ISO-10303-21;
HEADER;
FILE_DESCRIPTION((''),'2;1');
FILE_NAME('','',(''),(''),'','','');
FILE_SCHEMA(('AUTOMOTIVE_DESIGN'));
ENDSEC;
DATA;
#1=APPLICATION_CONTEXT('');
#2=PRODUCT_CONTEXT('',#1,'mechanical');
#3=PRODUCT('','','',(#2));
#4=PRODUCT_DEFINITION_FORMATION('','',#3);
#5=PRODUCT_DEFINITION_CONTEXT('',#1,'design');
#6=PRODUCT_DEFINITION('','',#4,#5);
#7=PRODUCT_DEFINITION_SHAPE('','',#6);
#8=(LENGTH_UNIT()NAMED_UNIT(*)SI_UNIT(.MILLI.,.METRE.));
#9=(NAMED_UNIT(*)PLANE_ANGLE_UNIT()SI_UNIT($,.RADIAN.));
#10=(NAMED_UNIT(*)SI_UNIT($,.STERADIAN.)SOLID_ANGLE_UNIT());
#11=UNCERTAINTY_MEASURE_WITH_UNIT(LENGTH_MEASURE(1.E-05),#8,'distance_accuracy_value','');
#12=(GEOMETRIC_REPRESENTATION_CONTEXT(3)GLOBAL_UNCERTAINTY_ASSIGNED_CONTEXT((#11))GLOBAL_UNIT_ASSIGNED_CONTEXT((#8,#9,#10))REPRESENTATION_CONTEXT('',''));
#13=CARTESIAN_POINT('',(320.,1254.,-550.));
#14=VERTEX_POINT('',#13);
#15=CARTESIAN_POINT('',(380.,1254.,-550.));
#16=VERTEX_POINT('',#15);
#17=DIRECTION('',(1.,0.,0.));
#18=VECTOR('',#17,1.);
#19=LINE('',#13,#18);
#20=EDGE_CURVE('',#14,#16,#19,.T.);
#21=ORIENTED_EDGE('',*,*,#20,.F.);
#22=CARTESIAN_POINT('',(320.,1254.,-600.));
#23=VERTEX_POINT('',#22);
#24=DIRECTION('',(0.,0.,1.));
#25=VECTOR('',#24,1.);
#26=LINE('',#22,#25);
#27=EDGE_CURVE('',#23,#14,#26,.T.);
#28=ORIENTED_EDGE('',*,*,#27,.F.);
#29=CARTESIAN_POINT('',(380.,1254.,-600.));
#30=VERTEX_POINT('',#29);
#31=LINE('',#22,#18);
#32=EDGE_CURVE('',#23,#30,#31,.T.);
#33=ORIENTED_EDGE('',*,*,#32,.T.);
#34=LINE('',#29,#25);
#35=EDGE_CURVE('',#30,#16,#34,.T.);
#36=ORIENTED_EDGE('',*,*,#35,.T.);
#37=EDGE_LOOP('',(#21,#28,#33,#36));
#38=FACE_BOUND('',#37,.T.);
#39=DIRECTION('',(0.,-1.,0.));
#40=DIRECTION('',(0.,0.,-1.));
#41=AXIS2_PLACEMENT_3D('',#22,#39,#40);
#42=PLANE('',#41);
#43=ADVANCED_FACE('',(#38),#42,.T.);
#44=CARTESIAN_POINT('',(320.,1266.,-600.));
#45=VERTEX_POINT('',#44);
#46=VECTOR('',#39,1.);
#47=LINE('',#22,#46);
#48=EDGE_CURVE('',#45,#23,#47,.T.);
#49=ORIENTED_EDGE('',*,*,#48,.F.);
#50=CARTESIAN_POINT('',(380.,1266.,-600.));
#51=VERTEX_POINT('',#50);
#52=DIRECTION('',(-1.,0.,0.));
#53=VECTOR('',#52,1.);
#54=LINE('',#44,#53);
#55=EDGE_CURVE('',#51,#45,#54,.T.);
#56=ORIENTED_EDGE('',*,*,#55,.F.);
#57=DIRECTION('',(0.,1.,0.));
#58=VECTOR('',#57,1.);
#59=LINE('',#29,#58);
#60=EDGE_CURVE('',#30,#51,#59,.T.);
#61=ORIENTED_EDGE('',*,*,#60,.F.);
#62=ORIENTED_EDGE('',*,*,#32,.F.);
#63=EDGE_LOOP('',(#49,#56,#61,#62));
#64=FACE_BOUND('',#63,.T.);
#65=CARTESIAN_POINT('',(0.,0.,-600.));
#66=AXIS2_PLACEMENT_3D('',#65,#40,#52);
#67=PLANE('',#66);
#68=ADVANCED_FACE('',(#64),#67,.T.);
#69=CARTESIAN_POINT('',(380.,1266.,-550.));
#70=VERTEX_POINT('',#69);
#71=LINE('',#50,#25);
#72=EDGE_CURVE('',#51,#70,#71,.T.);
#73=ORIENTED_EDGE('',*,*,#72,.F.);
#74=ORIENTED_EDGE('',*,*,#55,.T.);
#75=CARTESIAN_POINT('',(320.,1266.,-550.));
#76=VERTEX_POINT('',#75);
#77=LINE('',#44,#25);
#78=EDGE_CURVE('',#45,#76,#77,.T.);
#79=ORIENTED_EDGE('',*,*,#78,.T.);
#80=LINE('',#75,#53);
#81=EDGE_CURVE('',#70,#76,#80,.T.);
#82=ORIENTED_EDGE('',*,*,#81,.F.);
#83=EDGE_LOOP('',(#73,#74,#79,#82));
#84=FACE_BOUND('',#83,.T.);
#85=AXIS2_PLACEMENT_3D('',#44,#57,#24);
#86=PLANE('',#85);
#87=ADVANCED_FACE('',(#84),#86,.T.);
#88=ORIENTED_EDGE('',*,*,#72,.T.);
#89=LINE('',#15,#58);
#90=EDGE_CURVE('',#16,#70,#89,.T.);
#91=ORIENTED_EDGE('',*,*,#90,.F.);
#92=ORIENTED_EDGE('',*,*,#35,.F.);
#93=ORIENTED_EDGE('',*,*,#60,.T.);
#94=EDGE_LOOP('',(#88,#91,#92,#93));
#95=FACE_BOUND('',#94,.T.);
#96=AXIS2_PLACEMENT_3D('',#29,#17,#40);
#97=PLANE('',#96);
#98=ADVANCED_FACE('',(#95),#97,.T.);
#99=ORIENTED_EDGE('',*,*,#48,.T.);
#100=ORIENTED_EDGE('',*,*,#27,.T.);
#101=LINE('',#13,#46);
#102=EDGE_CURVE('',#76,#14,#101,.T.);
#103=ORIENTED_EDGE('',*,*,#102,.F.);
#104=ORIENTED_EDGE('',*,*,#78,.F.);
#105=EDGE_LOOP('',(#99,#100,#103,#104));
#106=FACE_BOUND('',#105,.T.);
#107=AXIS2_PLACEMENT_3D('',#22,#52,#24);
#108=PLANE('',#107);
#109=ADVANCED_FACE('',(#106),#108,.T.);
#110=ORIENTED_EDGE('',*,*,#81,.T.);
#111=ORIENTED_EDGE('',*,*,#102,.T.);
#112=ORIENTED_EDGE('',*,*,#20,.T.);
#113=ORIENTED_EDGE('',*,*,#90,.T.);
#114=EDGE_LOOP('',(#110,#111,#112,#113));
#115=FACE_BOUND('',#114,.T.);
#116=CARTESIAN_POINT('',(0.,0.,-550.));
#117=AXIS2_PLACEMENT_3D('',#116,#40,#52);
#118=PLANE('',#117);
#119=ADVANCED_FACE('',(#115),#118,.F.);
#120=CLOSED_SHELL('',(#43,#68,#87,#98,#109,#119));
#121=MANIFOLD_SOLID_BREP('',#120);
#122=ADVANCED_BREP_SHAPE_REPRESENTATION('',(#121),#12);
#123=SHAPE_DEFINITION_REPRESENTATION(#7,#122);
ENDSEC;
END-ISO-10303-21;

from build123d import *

# Parameters (mm, degrees)
PRESS_UC_CATAL_FLANS_ISO9409_1_START = -550
SKETCH1_W                            = 60
SKETCH1_H                            = 12
PRESS_UC_CATAL_FLANS_ISO9409_1_DEPTH = 50


with BuildPart() as part:
    # Sketch1 → PRESS_uc_catal_flans_ISO9409_1 (new body)
    with BuildSketch(Plane.XY.offset(PRESS_UC_CATAL_FLANS_ISO9409_1_START)):
        with Locations((350, 1260)):
            Rectangle(SKETCH1_W, SKETCH1_H)
    extrude(amount=-PRESS_UC_CATAL_FLANS_ISO9409_1_DEPTH)


solid = part.part
